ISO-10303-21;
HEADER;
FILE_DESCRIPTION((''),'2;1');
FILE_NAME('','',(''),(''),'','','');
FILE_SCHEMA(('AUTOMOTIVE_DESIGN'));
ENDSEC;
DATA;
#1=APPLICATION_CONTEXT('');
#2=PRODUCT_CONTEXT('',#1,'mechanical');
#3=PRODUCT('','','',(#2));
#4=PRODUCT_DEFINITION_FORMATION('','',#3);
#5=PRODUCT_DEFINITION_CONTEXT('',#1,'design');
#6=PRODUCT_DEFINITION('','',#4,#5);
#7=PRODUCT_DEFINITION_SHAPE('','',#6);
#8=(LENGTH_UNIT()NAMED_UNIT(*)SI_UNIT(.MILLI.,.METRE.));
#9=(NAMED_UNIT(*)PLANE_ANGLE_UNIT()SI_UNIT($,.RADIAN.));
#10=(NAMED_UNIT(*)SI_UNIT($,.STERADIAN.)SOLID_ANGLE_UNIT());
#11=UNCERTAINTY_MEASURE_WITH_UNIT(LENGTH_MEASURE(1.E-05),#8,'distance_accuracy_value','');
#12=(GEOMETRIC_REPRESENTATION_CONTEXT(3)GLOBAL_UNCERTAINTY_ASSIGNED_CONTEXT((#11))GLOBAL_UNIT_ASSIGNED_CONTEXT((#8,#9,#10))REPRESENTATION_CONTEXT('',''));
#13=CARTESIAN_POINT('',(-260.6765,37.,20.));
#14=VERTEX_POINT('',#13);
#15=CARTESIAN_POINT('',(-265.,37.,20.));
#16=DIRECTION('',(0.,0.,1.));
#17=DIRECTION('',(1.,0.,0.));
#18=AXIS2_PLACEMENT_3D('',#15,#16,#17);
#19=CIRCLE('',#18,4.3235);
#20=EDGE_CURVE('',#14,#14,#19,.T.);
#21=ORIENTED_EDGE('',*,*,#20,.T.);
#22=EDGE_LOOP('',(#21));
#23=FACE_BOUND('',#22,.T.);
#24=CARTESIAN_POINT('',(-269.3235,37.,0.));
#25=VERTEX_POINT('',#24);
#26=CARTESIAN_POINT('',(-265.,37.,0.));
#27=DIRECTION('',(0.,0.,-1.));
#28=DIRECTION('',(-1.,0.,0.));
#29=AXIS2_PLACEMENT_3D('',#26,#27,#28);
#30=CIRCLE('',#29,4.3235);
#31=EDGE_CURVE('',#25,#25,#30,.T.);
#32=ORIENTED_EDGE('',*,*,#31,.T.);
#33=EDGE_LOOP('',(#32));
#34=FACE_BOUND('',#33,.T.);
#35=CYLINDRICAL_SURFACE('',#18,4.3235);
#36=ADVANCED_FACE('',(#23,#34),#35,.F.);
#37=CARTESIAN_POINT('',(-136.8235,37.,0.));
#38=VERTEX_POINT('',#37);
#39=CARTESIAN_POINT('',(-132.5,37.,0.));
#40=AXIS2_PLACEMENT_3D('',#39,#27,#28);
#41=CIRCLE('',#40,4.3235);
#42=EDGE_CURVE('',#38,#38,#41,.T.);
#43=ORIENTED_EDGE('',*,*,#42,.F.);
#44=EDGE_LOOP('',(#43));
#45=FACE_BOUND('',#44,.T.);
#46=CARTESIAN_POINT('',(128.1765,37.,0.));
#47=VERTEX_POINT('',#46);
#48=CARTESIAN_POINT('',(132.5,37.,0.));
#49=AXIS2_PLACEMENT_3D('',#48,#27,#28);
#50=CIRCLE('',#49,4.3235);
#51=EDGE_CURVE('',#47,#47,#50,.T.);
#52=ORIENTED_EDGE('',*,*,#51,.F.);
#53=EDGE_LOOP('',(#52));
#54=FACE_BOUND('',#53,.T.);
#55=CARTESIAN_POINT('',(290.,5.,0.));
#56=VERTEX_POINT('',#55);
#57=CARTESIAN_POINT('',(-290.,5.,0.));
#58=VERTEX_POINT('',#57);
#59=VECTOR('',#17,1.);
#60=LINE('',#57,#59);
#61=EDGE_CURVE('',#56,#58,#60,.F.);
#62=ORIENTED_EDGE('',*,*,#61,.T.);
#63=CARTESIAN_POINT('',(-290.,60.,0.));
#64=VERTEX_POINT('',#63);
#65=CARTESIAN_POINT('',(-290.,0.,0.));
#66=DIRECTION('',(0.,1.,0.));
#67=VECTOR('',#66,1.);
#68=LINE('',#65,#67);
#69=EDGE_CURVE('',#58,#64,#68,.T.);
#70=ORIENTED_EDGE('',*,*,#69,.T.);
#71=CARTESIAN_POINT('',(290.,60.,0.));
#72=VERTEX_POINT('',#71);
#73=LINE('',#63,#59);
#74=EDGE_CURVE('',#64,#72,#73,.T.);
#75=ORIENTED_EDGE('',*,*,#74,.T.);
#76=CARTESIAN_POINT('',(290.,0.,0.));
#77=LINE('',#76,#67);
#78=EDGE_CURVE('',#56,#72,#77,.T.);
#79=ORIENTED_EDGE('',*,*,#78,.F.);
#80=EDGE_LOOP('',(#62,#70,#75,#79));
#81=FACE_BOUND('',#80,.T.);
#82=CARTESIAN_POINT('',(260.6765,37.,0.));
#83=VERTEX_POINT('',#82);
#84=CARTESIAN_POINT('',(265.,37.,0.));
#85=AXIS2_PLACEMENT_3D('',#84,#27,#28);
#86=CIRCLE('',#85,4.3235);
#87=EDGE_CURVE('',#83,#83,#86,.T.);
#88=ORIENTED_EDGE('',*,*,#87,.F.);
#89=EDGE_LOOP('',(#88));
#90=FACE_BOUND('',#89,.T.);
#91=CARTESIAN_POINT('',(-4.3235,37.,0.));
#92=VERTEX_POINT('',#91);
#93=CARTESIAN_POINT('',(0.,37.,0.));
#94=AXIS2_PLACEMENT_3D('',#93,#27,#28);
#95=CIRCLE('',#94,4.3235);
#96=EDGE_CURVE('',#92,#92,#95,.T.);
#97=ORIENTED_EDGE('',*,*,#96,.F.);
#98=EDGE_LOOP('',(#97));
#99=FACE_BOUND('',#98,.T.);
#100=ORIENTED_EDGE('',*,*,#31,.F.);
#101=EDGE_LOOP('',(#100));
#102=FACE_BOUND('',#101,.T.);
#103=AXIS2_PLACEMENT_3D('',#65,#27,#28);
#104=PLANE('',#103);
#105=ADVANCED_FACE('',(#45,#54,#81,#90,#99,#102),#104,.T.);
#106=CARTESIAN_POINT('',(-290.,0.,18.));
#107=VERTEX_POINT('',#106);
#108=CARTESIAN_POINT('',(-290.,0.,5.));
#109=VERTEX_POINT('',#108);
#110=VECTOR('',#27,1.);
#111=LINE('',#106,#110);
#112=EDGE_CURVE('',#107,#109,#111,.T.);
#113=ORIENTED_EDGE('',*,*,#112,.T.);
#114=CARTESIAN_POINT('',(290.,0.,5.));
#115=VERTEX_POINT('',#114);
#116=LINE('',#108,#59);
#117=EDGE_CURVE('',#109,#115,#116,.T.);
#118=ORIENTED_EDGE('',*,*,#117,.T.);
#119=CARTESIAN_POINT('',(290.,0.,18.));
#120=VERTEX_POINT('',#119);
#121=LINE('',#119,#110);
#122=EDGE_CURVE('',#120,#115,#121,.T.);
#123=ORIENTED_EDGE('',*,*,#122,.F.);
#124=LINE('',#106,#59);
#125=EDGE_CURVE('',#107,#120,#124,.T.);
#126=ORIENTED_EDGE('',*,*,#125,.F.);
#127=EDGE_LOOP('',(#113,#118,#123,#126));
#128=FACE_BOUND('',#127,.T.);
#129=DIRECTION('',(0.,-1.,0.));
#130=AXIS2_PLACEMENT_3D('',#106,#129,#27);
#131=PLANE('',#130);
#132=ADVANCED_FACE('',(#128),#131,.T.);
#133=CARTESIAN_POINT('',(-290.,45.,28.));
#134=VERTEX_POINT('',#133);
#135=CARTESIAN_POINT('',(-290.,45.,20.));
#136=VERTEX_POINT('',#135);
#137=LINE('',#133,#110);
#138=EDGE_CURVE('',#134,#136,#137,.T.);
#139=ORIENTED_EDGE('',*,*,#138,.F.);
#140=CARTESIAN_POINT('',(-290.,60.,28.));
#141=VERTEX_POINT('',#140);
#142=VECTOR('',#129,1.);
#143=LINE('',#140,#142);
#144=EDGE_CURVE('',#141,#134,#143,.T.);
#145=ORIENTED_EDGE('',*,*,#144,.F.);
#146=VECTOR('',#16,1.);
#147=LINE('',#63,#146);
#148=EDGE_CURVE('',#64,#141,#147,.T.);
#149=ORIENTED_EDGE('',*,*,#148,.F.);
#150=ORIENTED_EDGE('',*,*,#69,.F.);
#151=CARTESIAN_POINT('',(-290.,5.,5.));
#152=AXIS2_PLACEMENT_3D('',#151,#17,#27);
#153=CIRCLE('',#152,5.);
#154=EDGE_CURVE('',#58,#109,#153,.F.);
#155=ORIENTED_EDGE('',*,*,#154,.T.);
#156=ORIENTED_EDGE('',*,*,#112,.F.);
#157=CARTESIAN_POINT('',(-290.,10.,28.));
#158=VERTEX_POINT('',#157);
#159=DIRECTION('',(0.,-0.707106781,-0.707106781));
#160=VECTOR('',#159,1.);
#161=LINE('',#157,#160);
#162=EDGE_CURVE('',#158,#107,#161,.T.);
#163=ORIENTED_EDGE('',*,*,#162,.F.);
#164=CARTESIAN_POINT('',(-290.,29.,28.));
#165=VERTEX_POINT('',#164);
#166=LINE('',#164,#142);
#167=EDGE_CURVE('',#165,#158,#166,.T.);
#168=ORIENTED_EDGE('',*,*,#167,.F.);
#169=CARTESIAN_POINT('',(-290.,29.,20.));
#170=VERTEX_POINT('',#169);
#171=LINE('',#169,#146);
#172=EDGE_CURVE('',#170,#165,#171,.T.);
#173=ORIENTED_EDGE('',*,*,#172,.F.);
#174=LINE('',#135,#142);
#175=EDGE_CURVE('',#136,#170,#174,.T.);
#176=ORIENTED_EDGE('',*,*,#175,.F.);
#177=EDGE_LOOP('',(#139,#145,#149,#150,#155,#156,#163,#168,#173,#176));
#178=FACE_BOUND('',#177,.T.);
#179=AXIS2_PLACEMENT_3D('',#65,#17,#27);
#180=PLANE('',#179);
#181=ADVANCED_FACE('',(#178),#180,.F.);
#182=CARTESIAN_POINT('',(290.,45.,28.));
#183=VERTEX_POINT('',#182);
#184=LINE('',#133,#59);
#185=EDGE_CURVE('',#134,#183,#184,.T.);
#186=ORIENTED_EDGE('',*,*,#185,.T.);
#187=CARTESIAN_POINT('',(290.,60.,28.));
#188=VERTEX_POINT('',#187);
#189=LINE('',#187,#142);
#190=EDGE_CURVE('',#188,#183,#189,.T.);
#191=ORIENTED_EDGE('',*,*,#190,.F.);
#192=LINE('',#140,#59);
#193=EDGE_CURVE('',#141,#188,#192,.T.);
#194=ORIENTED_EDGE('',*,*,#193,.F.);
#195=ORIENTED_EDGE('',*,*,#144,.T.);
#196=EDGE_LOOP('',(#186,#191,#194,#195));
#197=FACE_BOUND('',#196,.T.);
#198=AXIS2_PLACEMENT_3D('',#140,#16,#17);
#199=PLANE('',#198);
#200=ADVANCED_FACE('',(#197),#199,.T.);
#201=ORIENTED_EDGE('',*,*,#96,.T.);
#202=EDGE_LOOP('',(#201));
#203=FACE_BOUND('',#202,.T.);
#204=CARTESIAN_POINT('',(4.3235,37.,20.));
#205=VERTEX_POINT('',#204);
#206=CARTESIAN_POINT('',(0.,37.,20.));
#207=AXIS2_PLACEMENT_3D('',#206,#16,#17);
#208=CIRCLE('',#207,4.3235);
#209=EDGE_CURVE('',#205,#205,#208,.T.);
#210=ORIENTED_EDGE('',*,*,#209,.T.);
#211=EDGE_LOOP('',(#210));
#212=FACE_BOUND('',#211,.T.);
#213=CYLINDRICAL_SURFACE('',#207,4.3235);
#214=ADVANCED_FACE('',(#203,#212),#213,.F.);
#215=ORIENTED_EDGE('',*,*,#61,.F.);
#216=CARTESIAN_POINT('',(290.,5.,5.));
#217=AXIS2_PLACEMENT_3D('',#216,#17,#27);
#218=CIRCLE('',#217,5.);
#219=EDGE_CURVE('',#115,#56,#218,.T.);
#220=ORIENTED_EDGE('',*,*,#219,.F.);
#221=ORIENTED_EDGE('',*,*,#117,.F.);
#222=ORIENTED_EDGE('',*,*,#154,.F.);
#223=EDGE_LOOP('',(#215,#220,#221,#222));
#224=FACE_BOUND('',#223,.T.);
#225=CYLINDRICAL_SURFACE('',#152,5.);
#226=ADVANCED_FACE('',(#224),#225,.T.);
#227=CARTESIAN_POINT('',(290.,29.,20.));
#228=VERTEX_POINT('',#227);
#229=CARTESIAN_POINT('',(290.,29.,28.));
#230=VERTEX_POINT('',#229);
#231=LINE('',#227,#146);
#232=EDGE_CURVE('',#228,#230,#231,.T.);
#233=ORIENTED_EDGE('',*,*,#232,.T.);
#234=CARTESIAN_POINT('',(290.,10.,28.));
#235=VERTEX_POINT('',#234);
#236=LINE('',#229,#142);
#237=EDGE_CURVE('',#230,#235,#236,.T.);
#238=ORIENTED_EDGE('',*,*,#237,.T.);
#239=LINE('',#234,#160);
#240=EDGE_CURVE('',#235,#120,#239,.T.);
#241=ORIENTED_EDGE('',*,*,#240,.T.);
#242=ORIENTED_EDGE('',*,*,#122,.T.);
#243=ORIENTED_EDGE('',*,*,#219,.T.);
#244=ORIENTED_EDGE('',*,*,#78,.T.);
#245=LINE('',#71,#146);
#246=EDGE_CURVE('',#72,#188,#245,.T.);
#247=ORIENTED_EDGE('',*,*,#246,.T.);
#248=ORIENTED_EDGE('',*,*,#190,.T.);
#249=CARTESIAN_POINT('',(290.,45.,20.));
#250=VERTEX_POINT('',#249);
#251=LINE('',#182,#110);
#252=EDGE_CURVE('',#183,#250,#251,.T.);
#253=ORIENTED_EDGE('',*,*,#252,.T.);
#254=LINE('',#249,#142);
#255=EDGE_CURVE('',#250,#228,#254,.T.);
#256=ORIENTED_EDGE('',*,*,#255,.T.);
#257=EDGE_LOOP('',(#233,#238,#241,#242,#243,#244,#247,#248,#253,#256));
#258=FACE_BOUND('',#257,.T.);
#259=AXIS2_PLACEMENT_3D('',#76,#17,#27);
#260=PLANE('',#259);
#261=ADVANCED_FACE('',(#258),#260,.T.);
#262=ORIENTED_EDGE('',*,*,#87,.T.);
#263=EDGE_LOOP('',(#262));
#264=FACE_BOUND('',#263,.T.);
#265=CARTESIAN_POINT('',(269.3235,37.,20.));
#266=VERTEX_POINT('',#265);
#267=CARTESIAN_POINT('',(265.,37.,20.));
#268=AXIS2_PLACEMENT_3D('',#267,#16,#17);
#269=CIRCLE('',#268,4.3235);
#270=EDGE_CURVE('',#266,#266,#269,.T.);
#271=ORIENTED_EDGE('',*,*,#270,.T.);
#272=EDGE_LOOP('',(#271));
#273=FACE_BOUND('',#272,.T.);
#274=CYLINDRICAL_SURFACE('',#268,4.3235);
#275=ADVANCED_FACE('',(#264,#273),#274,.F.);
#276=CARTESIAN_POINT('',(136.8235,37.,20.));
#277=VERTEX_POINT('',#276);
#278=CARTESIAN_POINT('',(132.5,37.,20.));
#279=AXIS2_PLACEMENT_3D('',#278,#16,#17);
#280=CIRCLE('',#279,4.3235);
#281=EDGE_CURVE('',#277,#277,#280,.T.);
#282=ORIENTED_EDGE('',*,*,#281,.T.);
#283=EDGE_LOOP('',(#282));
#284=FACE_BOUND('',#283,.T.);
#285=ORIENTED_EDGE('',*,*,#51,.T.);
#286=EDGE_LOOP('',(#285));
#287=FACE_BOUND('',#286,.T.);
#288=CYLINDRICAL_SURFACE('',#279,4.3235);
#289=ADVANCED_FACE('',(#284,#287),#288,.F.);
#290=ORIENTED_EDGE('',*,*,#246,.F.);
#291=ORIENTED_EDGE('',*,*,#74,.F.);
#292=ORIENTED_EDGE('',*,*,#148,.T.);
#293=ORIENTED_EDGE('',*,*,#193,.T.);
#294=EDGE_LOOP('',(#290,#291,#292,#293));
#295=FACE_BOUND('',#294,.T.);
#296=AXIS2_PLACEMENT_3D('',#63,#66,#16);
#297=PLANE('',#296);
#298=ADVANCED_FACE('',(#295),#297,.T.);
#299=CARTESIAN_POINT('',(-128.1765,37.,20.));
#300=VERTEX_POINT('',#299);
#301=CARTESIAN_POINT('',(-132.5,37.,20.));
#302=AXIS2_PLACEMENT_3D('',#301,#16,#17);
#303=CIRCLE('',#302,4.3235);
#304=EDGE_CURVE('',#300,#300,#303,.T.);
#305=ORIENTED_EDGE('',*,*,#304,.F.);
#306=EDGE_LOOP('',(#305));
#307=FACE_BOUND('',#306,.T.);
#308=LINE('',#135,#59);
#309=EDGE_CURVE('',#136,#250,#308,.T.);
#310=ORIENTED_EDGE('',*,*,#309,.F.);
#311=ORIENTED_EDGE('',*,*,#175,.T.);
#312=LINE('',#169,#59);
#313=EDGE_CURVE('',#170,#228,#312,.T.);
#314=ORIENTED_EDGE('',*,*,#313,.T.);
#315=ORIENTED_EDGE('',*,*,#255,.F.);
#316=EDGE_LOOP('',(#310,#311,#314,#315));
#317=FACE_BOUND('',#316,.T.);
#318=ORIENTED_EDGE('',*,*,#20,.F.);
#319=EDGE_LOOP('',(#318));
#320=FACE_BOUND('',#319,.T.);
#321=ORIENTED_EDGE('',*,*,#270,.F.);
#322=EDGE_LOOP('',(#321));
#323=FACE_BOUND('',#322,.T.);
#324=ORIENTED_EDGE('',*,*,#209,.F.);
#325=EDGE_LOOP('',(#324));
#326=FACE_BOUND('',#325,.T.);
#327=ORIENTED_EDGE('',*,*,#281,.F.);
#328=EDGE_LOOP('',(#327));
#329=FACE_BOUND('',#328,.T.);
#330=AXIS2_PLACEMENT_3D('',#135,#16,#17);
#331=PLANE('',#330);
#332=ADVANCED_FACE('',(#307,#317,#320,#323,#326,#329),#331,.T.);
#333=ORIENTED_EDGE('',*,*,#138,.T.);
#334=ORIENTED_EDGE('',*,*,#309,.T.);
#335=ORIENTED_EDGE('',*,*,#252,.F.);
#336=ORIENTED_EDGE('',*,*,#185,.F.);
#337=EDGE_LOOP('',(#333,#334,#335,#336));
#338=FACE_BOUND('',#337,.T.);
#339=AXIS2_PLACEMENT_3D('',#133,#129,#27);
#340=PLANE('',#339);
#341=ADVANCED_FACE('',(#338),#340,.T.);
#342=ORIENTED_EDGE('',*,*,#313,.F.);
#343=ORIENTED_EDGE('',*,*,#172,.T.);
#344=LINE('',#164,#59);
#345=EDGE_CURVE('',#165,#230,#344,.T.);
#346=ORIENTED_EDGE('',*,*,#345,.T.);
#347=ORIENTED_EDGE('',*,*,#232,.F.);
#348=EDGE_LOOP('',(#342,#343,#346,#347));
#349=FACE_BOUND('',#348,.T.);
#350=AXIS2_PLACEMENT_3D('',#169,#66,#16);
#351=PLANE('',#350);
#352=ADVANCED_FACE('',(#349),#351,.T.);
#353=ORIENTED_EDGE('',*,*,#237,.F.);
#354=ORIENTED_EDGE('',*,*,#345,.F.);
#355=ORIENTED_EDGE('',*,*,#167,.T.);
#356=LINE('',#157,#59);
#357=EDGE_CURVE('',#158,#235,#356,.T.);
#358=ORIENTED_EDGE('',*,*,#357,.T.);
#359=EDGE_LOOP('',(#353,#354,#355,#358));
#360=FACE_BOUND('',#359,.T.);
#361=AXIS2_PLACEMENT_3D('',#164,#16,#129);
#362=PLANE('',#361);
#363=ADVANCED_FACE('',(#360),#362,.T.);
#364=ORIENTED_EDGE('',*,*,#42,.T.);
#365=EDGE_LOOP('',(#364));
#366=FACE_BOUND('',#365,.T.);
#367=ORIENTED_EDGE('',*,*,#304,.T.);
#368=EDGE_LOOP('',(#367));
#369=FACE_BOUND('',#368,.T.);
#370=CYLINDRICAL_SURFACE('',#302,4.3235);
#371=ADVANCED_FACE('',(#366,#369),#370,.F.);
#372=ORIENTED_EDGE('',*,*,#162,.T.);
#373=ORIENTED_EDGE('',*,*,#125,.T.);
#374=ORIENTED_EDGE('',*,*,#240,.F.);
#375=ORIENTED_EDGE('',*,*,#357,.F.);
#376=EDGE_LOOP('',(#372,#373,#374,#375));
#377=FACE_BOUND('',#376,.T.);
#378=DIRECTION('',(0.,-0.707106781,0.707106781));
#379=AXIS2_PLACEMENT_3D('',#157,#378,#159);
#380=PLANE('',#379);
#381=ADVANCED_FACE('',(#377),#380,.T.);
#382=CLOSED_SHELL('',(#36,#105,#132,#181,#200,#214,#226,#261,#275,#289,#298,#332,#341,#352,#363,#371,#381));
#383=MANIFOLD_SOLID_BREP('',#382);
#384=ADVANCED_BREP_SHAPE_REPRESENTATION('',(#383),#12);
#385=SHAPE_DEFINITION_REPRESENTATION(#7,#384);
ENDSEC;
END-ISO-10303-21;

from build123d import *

# Parameters (mm, degrees)
EXTRUDE_1_DEPTH        = 290
EXTRUDE_1_DEPTH_BACK   = 290
PATTERN_LINEAR_1_COUNT = 5
PATTERN_LINEAR_1_PITCH = 132.5
FILLET_1_R             = 5


with BuildPart() as part:
    # 草圖1 → 擠出1 (new, two sides: drawn at the far end of the back side and taken through both)
    with BuildSketch(Plane.YZ.offset(-EXTRUDE_1_DEPTH_BACK)):
        Polygon((0, 0), (60, 0), (60, 28), (45, 28), (45, 20), (29, 20), (29, 28), (10, 28), (0, 18), align=None)
    extrude(amount=EXTRUDE_1_DEPTH + EXTRUDE_1_DEPTH_BACK)

    # 草圖2 → 孔1 (revolve, cut)
    with BuildSketch(Plane(origin=(-265, 37, 20), x_dir=(0, -1, 0), z_dir=(1, 0, 0))):
        Polygon((0, 0), (0, 52.597820886), (4.3235, 50), (4.3235, 0), align=None)
    hole_wizard_1 = revolve(axis=Axis((-265, 37, 24.244199587), (0, 0, -1)), mode=Mode.SUBTRACT)

    # 矩形陣列1: 孔1 ×5
    with Locations(*[(i * PATTERN_LINEAR_1_PITCH, 0, 0) for i in range(1, PATTERN_LINEAR_1_COUNT)]):
        add(hole_wizard_1, mode=Mode.SUBTRACT)

    # 圓角1
    fillet_1_edges = [part.edges().sort_by_distance(p)[0] for p in [
        (0, 0, 0),
    ]]
    fillet(fillet_1_edges, radius=FILLET_1_R)


solid = part.part
